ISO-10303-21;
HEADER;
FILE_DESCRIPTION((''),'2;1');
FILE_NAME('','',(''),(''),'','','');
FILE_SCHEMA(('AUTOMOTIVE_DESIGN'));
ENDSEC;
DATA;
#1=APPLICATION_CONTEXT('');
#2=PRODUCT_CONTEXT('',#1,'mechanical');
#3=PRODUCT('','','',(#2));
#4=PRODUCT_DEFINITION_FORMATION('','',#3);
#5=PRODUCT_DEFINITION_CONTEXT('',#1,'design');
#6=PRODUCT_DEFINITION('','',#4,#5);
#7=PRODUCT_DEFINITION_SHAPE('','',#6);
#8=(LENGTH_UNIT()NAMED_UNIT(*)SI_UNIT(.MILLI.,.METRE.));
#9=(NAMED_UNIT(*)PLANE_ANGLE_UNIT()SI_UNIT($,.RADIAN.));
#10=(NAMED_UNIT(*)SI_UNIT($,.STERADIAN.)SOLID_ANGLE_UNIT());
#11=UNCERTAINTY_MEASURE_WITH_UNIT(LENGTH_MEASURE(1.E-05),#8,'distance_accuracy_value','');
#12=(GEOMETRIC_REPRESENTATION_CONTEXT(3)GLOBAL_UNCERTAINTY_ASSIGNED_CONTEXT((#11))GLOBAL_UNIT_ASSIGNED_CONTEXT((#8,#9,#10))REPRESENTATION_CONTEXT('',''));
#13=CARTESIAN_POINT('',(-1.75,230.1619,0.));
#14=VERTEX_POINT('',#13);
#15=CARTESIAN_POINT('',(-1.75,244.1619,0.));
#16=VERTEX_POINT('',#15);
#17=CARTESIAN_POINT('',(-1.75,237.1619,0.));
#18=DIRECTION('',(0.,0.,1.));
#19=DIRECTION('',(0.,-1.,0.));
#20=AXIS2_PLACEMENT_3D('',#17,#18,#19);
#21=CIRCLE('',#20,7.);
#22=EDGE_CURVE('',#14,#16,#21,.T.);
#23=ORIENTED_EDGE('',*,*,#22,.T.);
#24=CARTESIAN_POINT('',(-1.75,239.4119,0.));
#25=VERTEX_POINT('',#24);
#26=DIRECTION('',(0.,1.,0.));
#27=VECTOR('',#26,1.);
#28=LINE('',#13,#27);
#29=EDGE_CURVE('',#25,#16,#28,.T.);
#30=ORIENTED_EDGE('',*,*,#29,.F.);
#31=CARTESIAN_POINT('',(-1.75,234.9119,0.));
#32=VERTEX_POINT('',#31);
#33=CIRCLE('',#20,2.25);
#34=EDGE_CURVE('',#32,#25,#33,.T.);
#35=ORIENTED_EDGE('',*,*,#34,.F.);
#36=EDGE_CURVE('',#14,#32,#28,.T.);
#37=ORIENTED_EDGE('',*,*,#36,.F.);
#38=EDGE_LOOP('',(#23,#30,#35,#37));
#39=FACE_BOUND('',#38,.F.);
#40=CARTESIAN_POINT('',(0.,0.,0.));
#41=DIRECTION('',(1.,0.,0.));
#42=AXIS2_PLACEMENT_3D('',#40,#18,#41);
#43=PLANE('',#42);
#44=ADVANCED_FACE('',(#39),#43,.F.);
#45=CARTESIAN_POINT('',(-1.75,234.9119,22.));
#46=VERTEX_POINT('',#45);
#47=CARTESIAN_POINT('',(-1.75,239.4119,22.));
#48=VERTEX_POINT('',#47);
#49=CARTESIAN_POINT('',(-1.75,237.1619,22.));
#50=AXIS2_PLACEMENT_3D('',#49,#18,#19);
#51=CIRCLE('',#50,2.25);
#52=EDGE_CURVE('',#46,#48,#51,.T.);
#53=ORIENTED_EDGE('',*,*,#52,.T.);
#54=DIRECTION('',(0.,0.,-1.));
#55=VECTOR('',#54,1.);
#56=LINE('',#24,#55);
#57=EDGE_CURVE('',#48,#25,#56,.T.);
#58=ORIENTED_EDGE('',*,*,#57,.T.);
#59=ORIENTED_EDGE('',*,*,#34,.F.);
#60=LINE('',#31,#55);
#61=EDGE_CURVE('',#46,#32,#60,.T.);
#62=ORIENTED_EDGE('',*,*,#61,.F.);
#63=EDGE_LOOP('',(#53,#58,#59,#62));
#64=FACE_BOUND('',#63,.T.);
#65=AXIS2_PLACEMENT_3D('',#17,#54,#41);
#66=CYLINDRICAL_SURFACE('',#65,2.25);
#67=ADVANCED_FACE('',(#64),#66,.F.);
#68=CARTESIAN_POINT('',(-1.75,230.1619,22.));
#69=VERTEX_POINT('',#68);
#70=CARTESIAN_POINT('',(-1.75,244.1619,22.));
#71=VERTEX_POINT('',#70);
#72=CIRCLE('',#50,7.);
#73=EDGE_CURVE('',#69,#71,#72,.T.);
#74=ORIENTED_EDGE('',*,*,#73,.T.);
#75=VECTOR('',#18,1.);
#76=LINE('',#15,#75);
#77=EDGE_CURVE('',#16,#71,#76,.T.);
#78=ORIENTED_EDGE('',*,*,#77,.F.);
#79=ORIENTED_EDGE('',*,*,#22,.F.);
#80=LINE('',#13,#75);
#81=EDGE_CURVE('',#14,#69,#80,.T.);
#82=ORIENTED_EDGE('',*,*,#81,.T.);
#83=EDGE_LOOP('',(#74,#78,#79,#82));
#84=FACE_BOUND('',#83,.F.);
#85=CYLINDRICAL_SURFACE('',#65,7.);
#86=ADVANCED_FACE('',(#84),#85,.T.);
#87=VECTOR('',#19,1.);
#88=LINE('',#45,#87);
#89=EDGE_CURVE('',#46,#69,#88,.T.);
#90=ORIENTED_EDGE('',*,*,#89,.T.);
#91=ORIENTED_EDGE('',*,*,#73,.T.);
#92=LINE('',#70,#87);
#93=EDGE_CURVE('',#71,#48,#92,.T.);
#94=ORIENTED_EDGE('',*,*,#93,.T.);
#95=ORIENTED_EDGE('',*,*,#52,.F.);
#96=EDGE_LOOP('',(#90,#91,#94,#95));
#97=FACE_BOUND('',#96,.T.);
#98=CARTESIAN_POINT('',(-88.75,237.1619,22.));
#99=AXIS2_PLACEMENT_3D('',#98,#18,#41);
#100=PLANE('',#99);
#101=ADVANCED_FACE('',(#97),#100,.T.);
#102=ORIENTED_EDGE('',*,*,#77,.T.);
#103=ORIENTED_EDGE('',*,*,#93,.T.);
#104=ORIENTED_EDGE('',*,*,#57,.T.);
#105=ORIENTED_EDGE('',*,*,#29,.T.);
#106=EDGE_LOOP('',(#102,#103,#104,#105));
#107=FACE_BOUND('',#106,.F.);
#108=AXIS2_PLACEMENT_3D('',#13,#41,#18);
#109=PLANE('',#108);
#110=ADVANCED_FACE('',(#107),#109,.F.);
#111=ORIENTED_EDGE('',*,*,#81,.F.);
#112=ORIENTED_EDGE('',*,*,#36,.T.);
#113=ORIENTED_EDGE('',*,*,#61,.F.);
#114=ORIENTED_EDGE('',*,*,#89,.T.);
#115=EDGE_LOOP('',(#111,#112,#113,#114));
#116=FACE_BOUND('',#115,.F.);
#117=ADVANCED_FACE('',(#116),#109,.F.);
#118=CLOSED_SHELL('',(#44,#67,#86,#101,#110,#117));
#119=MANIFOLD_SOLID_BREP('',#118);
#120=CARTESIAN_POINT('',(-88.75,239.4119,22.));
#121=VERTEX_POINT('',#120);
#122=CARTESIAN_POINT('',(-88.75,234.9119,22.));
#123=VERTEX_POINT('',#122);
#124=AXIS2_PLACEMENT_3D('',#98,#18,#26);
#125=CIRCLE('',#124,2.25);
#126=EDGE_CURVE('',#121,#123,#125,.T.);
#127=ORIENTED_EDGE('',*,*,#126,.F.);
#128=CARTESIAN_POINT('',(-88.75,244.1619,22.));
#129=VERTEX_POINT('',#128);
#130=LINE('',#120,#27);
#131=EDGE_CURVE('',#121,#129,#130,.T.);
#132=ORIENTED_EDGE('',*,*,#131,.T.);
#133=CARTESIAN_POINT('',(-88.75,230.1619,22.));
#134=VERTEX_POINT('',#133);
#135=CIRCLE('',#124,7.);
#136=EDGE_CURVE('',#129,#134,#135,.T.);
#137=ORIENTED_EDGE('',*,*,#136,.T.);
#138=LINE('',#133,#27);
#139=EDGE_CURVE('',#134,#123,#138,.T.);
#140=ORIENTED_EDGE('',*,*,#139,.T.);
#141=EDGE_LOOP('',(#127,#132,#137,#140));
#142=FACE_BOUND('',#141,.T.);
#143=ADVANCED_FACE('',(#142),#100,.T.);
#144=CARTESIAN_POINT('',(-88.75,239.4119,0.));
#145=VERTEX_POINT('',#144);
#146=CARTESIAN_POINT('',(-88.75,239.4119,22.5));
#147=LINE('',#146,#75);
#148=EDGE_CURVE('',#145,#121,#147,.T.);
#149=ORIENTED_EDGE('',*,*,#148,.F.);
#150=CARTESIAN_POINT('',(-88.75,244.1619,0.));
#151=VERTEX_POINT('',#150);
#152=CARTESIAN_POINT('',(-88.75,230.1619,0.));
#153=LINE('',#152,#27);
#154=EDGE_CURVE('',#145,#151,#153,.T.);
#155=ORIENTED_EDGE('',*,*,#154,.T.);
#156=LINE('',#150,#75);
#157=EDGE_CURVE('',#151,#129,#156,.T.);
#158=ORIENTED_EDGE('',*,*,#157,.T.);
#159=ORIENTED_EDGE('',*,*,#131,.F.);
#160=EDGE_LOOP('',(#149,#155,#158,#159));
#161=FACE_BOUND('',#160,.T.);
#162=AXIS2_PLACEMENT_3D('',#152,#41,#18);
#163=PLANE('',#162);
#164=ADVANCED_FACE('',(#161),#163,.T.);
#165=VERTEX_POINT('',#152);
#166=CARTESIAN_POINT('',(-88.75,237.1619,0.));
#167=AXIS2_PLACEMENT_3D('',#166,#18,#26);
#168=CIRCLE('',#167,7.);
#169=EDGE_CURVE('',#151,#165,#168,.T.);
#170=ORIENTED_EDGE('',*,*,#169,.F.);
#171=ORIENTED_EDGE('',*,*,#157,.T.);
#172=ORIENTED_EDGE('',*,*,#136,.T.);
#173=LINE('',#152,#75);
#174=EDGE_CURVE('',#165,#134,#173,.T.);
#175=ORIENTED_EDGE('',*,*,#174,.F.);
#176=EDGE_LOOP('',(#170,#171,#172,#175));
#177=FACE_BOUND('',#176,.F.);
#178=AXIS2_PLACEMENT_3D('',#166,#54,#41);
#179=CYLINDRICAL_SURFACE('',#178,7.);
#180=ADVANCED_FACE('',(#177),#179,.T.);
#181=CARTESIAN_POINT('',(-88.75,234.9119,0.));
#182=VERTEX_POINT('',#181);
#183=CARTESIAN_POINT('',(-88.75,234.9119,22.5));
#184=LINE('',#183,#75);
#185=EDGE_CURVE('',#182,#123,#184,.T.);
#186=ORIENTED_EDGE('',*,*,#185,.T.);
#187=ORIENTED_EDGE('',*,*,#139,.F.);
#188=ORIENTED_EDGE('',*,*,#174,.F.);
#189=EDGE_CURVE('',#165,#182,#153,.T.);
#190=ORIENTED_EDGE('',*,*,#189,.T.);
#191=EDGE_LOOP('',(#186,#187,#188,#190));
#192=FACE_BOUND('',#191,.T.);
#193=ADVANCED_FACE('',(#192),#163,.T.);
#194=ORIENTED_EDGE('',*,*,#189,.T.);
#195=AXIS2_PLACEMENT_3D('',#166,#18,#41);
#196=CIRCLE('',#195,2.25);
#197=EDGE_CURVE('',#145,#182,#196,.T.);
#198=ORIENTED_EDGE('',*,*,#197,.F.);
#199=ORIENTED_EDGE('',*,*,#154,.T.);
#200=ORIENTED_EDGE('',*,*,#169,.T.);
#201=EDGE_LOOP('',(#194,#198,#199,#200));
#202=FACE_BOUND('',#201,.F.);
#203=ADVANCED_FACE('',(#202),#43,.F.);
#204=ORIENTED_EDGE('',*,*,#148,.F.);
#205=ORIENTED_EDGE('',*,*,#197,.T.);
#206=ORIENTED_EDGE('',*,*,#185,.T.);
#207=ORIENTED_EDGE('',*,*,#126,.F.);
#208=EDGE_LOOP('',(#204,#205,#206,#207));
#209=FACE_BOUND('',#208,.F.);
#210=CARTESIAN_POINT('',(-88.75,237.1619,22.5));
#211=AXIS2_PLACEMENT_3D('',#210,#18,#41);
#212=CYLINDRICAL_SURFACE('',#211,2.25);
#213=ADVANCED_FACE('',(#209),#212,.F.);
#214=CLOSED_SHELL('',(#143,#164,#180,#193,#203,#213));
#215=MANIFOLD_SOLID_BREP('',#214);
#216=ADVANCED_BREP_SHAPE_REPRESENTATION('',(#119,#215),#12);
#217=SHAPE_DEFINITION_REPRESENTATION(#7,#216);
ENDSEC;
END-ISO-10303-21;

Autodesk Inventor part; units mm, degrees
ref_plane "YZ Plane" through (0, 0, 0) normal (1, 0, 0) x (0, 1, 0)
ref_plane "XZ Plane" through (0, 0, 0) normal (0, 1, 0) x (-1, 0, 0)
sketch "Sketch1" plane through (0, 0, 0) normal (0, 0, 1) x (1, 0, 0)
  circle A0 centre (-88.75, 237.1619) radius 2 projected
  circle A1 centre (-45.25, 302.7734) radius 2 projected
  circle A2 centre (-88.75, 302.7734) radius 2 projected
  circle A3 centre (-45.25, 237.1619) radius 2 projected
  circle A4 centre (-46.75, 361.06) radius 2 projected
  circle A5 centre (-40.75, 400) radius 23.3333 projected
  line L0 (-53.25, 186.7791) -> (-53.25, -39) projected
  arc A6 (-53.25, -39) -> (-46.25, -46) centre (-46.25, -39) ccw projected
  line L1 (1.25, -46) -> (-46.25, -46) projected
  arc A7 (1.25, -46) -> (8.9167, 45.3566) centre (1.25, 0) ccw projected
  arc A8 (7.25, 47.3287) -> (8.9167, 45.3566) centre (9.25, 47.3287) ccw projected
  line L2 (7.25, 400) -> (7.25, 47.3287) projected
  arc A9 (7.25, 400) -> (-27.0387, 446) centre (-40.75, 400) ccw projected
  line L3 (-85.75, 446) -> (-27.0387, 446) projected
  circle A10 centre (-85.75, 438.7) radius 2 projected
  circle A11 centre (-85.75, 361.06) radius 2 projected
  circle A12 centre (-46.75, 438.7) radius 2 projected
  circle A13 centre (10.9583, -29.879) radius 2.1 projected
  circle A14 centre (32.6667, 0) radius 2.1 projected
  circle A15 centre (-24.1666, -18.4662) radius 2.1 projected
  circle A16 centre (10.9583, 29.8791) radius 2.1 projected
  circle A17 centre (-24.1666, 18.4663) radius 2.1 projected
  circle A18 centre (1.25, 0) radius 23.3333 projected
  circle A19 centre (-1.75, 302.7734) radius 2.25 projected
  circle A20 centre (-1.75, 237.1619) radius 2.25 projected
  circle A21 centre (-43.75, 127.6736) radius 2 projected
  circle A22 centre (-4.75, -38.7) radius 2 projected
  circle A23 centre (-4.75, 38.94) radius 2 projected
  circle A24 centre (-4.75, 127.6736) radius 2 projected
  circle A25 centre (-43.75, -38.7) radius 2 projected
  circle A26 centre (-43.75, 38.94) radius 2 projected
  line L4 (-88.75, 237.1619) -> (-95.75, 237.1619)
  line L5 (-1.75, 237.1619) -> (5.25, 237.1619)
  circle A27 centre (-88.75, 237.1619) radius 7
  circle A28 centre (-1.75, 237.1619) radius 7
  line L6 (-88.75, 230.1619) -> (-1.75, 230.1619)
  line L7 (-88.75, 244.1619) -> (-1.75, 244.1619)
  circle A29 centre (-9.3333, 400) radius 2.1 projected
  circle A30 centre (-31.0417, 429.8791) radius 2.1 projected
  circle A31 centre (-31.0417, 370.121) radius 2.1 projected
  circle A32 centre (-66.1666, 418.4663) radius 2.1 projected
  circle A33 centre (-66.1666, 381.5338) radius 2.1 projected
  arc A34 (-95.75, 226.7791) -> (-85.75, 216.7791) centre (-85.75, 226.7791) ccw projected
  line L8 (-85.75, 216.7791) -> (-83.25, 216.7791) projected
  arc A35 (-53.25, 186.7791) -> (-83.25, 216.7791) centre (-83.25, 186.7791) ccw projected
  arc A36 (-85.75, 446) -> (-95.75, 436) centre (-85.75, 436) ccw projected
  line L9 (-95.75, 226.7791) -> (-95.75, 436) projected
  point P0 (0, 0)
  dimension "d0" = 7
  dimension "d1" = 7
ref_plane "Work Plane1" through (-48.25, 120.3736, 22.5) normal (0, 0, -1) x (0, 1, 0)
extrude "Extrusion1" add sketch "Sketch1" along normal up to surface (22.5 mm away) contours A27 | L7 A28 L6 A27 | A28
sketch "Sketch2" plane through (-88.75, 230.1619, 0) normal (0, -1, 0) x (1, 0, 0)
  line L0 (0, 22.5) -> (87, 22.5) projected
  line L1 (0, 0) -> (0, 22.5) projected
  line L2 (0, 0) -> (87, 0) projected
  line L3 (87, 0) -> (87, 22.5) projected
  circle A0 centre (64.5, 22.5) radius 16 projected
  circle A1 centre (22.5, 22.5) radius 16 projected
  point P0 (88.75, 0)
  point P1 (80.5, 22.5)
  point P2 (48.5, 22.5)
  point P3 (0, 12.2811)
  point P4 (38.5, 22.5)
  point P5 (6.5, 22.5)
extrude "Extrusion2" cut sketch "Sketch2" against normal through all contours A0 L0 | L0 L3 L2 L1 A1 A0 | A1 L0 | L0 A1 picked at (67.5775, 12.7002)
sketch "Szkic3" plane through (-88.75, 237.1619, 22.5) normal (0, 0, 1) x (1, 0, 0)
  arc A0 (0, 7) -> (0, -7) centre (0, 0) ccw projected
  arc A1 (0, 2) -> (0, -2) centre (0, 0) ccw projected
  line L0 (48.7838, -7) -> (48.7838, 7) projected
  line L1 (48.7838, 7) -> (26.823, 7) projected
  line L2 (26.823, 7) -> (26.823, -7) projected
  line L3 (26.823, -7) -> (48.7838, -7) projected
  circle A2 centre (43.5, 0) radius 2 projected
  arc A3 (87, -7) -> (87, 7) centre (87, 0) ccw projected
  arc A4 (87, -2.25) -> (87, 2.25) centre (87, 0) ccw projected
  arc A5 (0, 2) -> (0, -2) centre (0, 0) ccw projected
  circle A6 centre (0, 0) radius 2.25
  circle A7 centre (43.5, 0) radius 2 projected
  circle A8 centre (43.5, 0) radius 2.25
  arc A9 (87, -7) -> (87, -7) centre (87, 0) ccw projected
  circle A10 centre (87, 0) radius 2.25
  arc A11 (0, 2) -> (0, -2) centre (0, 0) ccw projected
  arc A12 (0, 7) -> (0, -7) centre (0, 0) ccw projected
  line L4 (0, -7) -> (0, -2) projected
  line L5 (0, 2) -> (0, 7) projected
  arc A13 (87, -7) -> (87, 7) centre (87, 0) ccw projected
  line L6 (0, -7) -> (0, -2) projected
  line L7 (0, 2) -> (0, 7) projected
  line L8 (87, 7) -> (87, 2.25) projected
  arc A14 (87, -2.25) -> (87, 2.25) centre (87, 0) ccw projected
  line L9 (87, -2.25) -> (87, -7) projected
  line L10 (87, 7) -> (87, 2.25) projected
  line L11 (87, -2.25) -> (87, -7) projected
  point P0 (88.75, -237.1619)
  dimension "d6" = 4.5
  dimension "d7" = 4.5
  dimension "d8" = 4.5
extrude "Wyciągnięcie proste3" cut sketch "Szkic3" against normal through all contours L5 A1 L4 A6 | A6 L4 A1 L5 | A2 | A8
sketch "Szkic4" plane through (-88.75, 237.1619, 22.5) normal (0, 0, 1) x (1, 0, 0)
  arc A0 (0, 2.25) -> (0, -2.25) centre (0, 0) ccw projected
  arc A1 (0, 7) -> (0, -7) centre (0, 0) ccw projected
  circle A2 centre (43.5, 0) radius 2.25 projected
  line L0 (48.7838, -7) -> (48.7838, 7) projected
  line L1 (48.7838, 7) -> (26.823, 7) projected
  line L2 (26.823, 7) -> (26.823, -7) projected
  line L3 (26.823, -7) -> (48.7838, -7) projected
  arc A3 (87, -7) -> (87, 7) centre (87, 0) ccw projected
  arc A4 (87, -2.25) -> (87, 2.25) centre (87, 0) ccw projected
  arc A5 (0, 2.25) -> (0, -2.25) centre (0, 0) ccw projected
  arc A6 (0, 7) -> (0, -7) centre (0, 0) ccw projected
  line L4 (0, 2.25) -> (0, 7) projected
  line L5 (0, -7) -> (0, -2.25) projected
  arc A7 (87, -7) -> (87, 7) centre (87, 0) ccw projected
  line L6 (0, 2.25) -> (0, 7) projected
  line L7 (0, -7) -> (0, -2.25) projected
  line L8 (87, 7) -> (87, 2.25) projected
  line L9 (87, -2.25) -> (87, -7) projected
  line L10 (87, 7) -> (87, 2.25) projected
  arc A8 (87, -2.25) -> (87, 2.25) centre (87, 0) ccw projected
  line L11 (87, -2.25) -> (87, -7) projected
  point P0 (88.75, -237.1619)
extrude "Wyciągnięcie proste4" cut sketch "Szkic4" against normal blind 0.5 contours A0 L5 A1 L4 | A2 | L3 L2 L1 L0 | L9 A4 L8 A3
sketch "Szkic5" plane through (-32.9445, 229.8104, 22.5) normal (-1, 0, 0) x (0, 0, -1)
  line L0 (0, -0.3515) -> (0, -14.3515) projected
  line L1 (0, -0.3515) -> (0.5, -0.3515) projected
  line L2 (0.5, -14.3515) -> (0.5, -0.3515) projected
  line L3 (0.5, -14.3515) -> (0, -14.3515) projected
  point P0 (22.5, 229.8104)
extrude "Wyciągnięcie proste5" [suppressed]
properties part number "Uchwyt_silnika_podwojny"
